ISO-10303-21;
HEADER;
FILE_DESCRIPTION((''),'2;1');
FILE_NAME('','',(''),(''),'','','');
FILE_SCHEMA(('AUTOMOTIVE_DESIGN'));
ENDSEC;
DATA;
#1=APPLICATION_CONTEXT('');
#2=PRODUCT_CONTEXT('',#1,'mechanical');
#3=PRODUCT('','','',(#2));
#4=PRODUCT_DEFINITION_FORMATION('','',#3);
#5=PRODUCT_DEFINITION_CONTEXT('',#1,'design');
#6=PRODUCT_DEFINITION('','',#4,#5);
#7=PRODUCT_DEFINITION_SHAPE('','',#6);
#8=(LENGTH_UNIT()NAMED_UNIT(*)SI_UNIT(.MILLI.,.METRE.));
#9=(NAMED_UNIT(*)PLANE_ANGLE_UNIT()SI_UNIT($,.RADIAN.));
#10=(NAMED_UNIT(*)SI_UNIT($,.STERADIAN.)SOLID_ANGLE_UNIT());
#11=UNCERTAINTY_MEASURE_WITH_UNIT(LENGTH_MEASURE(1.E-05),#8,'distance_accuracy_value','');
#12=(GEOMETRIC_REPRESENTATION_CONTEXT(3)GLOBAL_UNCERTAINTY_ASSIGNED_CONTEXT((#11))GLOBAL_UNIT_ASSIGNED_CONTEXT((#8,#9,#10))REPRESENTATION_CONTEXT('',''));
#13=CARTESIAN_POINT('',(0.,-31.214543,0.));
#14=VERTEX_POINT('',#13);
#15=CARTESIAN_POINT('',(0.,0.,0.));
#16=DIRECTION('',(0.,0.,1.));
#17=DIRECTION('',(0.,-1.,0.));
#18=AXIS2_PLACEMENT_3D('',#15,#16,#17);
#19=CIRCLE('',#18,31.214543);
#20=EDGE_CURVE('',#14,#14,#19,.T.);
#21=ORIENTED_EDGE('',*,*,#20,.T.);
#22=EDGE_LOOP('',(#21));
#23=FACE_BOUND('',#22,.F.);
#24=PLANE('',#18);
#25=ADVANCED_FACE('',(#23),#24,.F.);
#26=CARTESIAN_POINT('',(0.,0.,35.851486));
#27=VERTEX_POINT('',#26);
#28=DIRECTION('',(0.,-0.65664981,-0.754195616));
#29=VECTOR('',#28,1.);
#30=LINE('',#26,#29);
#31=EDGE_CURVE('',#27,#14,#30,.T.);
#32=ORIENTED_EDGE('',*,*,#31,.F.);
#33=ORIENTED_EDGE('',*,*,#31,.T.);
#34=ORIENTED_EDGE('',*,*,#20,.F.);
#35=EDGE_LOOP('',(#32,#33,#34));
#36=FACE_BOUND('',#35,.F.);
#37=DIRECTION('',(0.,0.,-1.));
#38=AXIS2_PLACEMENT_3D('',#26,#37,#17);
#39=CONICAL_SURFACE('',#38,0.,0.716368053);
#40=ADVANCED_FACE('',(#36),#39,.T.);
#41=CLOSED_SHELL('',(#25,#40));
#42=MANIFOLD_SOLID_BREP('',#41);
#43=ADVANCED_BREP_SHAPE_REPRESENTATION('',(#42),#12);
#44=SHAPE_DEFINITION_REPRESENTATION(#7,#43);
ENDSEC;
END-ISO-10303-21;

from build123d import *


with BuildPart() as f1:
    # F0 (on Right) → F1 (revolve)
    with BuildSketch(Plane.YZ):
        Polygon((-31.214543, 0), (0, 0), (0, 35.851486), align=None)
    revolve(axis=Axis((0, 0, 17.925743), (0, 0, 1)))


solid = f1.part
